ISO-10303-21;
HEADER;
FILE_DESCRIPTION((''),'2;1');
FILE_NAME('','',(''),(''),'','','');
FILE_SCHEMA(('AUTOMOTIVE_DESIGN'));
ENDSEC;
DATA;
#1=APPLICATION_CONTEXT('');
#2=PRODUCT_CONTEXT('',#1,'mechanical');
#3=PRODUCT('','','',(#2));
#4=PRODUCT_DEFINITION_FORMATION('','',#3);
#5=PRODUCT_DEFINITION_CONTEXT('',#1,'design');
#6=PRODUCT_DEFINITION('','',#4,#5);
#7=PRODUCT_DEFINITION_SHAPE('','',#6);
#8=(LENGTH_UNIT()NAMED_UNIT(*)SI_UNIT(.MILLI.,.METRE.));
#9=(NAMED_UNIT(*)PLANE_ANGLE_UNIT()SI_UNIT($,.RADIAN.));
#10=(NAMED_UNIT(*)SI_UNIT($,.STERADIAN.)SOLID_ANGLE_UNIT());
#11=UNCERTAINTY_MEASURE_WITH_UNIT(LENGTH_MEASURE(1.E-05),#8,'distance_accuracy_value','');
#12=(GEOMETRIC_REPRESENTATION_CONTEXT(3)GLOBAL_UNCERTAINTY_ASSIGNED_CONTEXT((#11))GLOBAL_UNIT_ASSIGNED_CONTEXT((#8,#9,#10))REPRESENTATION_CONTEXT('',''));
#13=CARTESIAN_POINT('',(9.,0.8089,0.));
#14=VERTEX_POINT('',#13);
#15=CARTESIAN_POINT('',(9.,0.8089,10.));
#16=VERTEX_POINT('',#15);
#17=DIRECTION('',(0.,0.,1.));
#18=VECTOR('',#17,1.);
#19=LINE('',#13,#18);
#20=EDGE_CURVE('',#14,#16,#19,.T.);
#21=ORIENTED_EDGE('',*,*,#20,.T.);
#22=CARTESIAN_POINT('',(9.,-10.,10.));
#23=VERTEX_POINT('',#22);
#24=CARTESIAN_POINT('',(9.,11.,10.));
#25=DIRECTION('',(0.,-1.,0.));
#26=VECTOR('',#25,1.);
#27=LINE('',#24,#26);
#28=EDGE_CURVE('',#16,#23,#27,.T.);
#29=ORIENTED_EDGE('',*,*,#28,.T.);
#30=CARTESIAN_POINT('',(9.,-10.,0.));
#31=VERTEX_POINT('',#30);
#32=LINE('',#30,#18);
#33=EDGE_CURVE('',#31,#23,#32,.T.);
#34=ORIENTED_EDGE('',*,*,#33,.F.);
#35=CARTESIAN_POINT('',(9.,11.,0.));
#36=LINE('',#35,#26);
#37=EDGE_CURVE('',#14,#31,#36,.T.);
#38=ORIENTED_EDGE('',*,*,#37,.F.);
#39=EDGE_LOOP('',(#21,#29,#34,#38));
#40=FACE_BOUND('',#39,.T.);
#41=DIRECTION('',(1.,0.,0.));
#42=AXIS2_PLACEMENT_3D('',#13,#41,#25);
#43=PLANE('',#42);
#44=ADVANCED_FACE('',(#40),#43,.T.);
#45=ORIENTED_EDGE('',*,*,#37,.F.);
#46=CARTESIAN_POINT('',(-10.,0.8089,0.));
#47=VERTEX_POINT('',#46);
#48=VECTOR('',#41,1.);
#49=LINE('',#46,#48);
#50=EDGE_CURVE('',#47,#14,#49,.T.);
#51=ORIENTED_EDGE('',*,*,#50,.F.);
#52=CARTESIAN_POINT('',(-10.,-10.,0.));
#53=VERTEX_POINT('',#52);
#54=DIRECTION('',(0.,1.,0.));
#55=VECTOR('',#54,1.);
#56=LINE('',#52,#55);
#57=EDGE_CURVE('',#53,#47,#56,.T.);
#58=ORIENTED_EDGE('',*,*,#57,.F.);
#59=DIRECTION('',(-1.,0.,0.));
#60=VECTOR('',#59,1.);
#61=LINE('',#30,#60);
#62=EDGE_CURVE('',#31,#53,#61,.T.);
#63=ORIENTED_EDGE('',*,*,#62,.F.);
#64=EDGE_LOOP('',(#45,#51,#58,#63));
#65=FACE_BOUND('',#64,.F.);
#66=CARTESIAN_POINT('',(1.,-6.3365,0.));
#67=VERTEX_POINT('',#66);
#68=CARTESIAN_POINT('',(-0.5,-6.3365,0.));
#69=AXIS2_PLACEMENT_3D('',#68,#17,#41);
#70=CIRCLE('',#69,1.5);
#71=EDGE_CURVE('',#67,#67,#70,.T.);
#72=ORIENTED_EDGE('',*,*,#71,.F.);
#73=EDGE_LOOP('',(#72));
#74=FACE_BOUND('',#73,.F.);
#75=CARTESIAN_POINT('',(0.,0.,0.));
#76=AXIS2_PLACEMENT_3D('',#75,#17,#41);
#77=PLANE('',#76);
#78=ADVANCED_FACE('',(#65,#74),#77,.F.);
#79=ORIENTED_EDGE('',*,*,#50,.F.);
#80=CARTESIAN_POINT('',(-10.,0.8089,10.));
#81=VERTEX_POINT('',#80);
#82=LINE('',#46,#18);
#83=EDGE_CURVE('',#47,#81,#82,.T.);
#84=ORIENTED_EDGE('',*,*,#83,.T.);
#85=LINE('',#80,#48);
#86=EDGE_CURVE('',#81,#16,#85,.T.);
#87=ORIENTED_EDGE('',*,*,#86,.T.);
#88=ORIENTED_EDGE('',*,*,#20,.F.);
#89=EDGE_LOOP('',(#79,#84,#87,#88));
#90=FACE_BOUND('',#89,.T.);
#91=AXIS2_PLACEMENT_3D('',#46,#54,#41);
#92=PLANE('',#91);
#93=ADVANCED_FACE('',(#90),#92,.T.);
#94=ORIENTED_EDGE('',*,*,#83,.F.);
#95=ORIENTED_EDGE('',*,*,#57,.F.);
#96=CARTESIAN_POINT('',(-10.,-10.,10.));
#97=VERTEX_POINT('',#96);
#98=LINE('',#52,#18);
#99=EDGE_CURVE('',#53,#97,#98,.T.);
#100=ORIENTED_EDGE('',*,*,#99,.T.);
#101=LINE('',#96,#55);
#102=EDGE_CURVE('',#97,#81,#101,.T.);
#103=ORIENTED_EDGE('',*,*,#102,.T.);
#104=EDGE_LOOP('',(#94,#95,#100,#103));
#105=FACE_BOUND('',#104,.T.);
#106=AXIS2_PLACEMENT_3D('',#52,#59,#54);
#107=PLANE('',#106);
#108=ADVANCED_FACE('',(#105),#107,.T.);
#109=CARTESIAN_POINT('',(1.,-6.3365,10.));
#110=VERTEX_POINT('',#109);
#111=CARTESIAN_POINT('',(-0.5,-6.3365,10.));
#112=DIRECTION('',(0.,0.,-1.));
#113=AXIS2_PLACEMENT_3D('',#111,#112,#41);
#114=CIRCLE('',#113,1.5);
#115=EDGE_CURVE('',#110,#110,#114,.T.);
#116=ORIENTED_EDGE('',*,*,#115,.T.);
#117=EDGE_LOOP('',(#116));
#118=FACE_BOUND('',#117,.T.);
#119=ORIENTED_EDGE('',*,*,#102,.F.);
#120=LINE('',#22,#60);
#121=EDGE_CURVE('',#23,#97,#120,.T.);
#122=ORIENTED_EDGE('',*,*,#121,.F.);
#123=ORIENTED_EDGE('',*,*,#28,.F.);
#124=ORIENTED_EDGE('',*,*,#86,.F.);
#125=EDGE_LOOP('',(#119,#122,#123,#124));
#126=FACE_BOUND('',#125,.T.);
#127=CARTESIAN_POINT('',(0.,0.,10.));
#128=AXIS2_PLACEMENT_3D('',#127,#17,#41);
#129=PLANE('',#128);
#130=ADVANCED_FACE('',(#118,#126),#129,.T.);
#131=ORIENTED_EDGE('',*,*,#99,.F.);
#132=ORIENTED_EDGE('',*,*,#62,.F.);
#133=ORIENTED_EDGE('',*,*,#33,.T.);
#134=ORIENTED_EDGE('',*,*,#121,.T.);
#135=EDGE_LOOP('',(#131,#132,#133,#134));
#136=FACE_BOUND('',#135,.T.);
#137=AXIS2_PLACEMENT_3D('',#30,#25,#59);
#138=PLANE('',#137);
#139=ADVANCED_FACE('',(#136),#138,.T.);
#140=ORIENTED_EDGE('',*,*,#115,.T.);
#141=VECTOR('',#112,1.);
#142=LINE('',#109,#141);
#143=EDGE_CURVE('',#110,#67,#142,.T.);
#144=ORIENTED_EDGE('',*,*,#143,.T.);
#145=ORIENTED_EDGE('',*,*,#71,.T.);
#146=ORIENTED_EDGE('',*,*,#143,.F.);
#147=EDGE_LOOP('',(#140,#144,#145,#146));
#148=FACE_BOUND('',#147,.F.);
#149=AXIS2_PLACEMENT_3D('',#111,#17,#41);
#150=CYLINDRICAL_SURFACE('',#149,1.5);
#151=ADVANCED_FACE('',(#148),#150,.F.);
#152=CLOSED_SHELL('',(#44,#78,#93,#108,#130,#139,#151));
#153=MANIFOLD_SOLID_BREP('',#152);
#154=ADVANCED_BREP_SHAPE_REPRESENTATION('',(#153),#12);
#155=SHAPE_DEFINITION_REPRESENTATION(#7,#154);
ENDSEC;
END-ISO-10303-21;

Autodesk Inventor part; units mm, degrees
ref_plane "YZ Plane" through (0, 0, 0) normal (1, 0, 0) x (0, 1, 0)
ref_plane "XZ Plane" through (0, 0, 0) normal (0, 1, 0) x (-1, 0, 0)
ref_plane "XY Plane" through (0, 0, 0) normal (0, 0, 1) x (1, 0, 0)
sketch "Sketch1" plane through (0, 0, 0) normal (0, 0, 1) x (1, 0, 0)
  line L0 (-10, 11) -> (9, 11)
  line L1 (9, 11) -> (9, -10)
  line L2 (9, -10) -> (-10, -10)
  line L3 (-10, -10) -> (-10, 11)
  line L4 (-10, 0.8089) -> (9, 0.8089)
  point P0 (0, 0)
extrude "Extrusion1" add sketch "Sketch1" along normal blind 10 contours L4 L1 L2 L3
sketch "Sketch2" plane through (0, 0, 10) normal (0, 0, 1) x (1, 0, 0)
  line L0 (-10, -10) -> (9, -10) projected
  line L1 (-0.5, -10) -> (-0.5, -6.3365)
  circle A0 centre (-0.5, -6.3365) radius 1.5
  point P0 (0, 0)
  dimension "d2" = 3.6635
  dimension "d3" = 3
extrude "Extrusion2" cut sketch "Sketch2" against normal blind 10
sketch "Sketch3" plane through (-10, -10, 0) normal (0, -1, 0) x (1, 0, 0)
  point P0 (10, 0)
properties part number "bruh"
